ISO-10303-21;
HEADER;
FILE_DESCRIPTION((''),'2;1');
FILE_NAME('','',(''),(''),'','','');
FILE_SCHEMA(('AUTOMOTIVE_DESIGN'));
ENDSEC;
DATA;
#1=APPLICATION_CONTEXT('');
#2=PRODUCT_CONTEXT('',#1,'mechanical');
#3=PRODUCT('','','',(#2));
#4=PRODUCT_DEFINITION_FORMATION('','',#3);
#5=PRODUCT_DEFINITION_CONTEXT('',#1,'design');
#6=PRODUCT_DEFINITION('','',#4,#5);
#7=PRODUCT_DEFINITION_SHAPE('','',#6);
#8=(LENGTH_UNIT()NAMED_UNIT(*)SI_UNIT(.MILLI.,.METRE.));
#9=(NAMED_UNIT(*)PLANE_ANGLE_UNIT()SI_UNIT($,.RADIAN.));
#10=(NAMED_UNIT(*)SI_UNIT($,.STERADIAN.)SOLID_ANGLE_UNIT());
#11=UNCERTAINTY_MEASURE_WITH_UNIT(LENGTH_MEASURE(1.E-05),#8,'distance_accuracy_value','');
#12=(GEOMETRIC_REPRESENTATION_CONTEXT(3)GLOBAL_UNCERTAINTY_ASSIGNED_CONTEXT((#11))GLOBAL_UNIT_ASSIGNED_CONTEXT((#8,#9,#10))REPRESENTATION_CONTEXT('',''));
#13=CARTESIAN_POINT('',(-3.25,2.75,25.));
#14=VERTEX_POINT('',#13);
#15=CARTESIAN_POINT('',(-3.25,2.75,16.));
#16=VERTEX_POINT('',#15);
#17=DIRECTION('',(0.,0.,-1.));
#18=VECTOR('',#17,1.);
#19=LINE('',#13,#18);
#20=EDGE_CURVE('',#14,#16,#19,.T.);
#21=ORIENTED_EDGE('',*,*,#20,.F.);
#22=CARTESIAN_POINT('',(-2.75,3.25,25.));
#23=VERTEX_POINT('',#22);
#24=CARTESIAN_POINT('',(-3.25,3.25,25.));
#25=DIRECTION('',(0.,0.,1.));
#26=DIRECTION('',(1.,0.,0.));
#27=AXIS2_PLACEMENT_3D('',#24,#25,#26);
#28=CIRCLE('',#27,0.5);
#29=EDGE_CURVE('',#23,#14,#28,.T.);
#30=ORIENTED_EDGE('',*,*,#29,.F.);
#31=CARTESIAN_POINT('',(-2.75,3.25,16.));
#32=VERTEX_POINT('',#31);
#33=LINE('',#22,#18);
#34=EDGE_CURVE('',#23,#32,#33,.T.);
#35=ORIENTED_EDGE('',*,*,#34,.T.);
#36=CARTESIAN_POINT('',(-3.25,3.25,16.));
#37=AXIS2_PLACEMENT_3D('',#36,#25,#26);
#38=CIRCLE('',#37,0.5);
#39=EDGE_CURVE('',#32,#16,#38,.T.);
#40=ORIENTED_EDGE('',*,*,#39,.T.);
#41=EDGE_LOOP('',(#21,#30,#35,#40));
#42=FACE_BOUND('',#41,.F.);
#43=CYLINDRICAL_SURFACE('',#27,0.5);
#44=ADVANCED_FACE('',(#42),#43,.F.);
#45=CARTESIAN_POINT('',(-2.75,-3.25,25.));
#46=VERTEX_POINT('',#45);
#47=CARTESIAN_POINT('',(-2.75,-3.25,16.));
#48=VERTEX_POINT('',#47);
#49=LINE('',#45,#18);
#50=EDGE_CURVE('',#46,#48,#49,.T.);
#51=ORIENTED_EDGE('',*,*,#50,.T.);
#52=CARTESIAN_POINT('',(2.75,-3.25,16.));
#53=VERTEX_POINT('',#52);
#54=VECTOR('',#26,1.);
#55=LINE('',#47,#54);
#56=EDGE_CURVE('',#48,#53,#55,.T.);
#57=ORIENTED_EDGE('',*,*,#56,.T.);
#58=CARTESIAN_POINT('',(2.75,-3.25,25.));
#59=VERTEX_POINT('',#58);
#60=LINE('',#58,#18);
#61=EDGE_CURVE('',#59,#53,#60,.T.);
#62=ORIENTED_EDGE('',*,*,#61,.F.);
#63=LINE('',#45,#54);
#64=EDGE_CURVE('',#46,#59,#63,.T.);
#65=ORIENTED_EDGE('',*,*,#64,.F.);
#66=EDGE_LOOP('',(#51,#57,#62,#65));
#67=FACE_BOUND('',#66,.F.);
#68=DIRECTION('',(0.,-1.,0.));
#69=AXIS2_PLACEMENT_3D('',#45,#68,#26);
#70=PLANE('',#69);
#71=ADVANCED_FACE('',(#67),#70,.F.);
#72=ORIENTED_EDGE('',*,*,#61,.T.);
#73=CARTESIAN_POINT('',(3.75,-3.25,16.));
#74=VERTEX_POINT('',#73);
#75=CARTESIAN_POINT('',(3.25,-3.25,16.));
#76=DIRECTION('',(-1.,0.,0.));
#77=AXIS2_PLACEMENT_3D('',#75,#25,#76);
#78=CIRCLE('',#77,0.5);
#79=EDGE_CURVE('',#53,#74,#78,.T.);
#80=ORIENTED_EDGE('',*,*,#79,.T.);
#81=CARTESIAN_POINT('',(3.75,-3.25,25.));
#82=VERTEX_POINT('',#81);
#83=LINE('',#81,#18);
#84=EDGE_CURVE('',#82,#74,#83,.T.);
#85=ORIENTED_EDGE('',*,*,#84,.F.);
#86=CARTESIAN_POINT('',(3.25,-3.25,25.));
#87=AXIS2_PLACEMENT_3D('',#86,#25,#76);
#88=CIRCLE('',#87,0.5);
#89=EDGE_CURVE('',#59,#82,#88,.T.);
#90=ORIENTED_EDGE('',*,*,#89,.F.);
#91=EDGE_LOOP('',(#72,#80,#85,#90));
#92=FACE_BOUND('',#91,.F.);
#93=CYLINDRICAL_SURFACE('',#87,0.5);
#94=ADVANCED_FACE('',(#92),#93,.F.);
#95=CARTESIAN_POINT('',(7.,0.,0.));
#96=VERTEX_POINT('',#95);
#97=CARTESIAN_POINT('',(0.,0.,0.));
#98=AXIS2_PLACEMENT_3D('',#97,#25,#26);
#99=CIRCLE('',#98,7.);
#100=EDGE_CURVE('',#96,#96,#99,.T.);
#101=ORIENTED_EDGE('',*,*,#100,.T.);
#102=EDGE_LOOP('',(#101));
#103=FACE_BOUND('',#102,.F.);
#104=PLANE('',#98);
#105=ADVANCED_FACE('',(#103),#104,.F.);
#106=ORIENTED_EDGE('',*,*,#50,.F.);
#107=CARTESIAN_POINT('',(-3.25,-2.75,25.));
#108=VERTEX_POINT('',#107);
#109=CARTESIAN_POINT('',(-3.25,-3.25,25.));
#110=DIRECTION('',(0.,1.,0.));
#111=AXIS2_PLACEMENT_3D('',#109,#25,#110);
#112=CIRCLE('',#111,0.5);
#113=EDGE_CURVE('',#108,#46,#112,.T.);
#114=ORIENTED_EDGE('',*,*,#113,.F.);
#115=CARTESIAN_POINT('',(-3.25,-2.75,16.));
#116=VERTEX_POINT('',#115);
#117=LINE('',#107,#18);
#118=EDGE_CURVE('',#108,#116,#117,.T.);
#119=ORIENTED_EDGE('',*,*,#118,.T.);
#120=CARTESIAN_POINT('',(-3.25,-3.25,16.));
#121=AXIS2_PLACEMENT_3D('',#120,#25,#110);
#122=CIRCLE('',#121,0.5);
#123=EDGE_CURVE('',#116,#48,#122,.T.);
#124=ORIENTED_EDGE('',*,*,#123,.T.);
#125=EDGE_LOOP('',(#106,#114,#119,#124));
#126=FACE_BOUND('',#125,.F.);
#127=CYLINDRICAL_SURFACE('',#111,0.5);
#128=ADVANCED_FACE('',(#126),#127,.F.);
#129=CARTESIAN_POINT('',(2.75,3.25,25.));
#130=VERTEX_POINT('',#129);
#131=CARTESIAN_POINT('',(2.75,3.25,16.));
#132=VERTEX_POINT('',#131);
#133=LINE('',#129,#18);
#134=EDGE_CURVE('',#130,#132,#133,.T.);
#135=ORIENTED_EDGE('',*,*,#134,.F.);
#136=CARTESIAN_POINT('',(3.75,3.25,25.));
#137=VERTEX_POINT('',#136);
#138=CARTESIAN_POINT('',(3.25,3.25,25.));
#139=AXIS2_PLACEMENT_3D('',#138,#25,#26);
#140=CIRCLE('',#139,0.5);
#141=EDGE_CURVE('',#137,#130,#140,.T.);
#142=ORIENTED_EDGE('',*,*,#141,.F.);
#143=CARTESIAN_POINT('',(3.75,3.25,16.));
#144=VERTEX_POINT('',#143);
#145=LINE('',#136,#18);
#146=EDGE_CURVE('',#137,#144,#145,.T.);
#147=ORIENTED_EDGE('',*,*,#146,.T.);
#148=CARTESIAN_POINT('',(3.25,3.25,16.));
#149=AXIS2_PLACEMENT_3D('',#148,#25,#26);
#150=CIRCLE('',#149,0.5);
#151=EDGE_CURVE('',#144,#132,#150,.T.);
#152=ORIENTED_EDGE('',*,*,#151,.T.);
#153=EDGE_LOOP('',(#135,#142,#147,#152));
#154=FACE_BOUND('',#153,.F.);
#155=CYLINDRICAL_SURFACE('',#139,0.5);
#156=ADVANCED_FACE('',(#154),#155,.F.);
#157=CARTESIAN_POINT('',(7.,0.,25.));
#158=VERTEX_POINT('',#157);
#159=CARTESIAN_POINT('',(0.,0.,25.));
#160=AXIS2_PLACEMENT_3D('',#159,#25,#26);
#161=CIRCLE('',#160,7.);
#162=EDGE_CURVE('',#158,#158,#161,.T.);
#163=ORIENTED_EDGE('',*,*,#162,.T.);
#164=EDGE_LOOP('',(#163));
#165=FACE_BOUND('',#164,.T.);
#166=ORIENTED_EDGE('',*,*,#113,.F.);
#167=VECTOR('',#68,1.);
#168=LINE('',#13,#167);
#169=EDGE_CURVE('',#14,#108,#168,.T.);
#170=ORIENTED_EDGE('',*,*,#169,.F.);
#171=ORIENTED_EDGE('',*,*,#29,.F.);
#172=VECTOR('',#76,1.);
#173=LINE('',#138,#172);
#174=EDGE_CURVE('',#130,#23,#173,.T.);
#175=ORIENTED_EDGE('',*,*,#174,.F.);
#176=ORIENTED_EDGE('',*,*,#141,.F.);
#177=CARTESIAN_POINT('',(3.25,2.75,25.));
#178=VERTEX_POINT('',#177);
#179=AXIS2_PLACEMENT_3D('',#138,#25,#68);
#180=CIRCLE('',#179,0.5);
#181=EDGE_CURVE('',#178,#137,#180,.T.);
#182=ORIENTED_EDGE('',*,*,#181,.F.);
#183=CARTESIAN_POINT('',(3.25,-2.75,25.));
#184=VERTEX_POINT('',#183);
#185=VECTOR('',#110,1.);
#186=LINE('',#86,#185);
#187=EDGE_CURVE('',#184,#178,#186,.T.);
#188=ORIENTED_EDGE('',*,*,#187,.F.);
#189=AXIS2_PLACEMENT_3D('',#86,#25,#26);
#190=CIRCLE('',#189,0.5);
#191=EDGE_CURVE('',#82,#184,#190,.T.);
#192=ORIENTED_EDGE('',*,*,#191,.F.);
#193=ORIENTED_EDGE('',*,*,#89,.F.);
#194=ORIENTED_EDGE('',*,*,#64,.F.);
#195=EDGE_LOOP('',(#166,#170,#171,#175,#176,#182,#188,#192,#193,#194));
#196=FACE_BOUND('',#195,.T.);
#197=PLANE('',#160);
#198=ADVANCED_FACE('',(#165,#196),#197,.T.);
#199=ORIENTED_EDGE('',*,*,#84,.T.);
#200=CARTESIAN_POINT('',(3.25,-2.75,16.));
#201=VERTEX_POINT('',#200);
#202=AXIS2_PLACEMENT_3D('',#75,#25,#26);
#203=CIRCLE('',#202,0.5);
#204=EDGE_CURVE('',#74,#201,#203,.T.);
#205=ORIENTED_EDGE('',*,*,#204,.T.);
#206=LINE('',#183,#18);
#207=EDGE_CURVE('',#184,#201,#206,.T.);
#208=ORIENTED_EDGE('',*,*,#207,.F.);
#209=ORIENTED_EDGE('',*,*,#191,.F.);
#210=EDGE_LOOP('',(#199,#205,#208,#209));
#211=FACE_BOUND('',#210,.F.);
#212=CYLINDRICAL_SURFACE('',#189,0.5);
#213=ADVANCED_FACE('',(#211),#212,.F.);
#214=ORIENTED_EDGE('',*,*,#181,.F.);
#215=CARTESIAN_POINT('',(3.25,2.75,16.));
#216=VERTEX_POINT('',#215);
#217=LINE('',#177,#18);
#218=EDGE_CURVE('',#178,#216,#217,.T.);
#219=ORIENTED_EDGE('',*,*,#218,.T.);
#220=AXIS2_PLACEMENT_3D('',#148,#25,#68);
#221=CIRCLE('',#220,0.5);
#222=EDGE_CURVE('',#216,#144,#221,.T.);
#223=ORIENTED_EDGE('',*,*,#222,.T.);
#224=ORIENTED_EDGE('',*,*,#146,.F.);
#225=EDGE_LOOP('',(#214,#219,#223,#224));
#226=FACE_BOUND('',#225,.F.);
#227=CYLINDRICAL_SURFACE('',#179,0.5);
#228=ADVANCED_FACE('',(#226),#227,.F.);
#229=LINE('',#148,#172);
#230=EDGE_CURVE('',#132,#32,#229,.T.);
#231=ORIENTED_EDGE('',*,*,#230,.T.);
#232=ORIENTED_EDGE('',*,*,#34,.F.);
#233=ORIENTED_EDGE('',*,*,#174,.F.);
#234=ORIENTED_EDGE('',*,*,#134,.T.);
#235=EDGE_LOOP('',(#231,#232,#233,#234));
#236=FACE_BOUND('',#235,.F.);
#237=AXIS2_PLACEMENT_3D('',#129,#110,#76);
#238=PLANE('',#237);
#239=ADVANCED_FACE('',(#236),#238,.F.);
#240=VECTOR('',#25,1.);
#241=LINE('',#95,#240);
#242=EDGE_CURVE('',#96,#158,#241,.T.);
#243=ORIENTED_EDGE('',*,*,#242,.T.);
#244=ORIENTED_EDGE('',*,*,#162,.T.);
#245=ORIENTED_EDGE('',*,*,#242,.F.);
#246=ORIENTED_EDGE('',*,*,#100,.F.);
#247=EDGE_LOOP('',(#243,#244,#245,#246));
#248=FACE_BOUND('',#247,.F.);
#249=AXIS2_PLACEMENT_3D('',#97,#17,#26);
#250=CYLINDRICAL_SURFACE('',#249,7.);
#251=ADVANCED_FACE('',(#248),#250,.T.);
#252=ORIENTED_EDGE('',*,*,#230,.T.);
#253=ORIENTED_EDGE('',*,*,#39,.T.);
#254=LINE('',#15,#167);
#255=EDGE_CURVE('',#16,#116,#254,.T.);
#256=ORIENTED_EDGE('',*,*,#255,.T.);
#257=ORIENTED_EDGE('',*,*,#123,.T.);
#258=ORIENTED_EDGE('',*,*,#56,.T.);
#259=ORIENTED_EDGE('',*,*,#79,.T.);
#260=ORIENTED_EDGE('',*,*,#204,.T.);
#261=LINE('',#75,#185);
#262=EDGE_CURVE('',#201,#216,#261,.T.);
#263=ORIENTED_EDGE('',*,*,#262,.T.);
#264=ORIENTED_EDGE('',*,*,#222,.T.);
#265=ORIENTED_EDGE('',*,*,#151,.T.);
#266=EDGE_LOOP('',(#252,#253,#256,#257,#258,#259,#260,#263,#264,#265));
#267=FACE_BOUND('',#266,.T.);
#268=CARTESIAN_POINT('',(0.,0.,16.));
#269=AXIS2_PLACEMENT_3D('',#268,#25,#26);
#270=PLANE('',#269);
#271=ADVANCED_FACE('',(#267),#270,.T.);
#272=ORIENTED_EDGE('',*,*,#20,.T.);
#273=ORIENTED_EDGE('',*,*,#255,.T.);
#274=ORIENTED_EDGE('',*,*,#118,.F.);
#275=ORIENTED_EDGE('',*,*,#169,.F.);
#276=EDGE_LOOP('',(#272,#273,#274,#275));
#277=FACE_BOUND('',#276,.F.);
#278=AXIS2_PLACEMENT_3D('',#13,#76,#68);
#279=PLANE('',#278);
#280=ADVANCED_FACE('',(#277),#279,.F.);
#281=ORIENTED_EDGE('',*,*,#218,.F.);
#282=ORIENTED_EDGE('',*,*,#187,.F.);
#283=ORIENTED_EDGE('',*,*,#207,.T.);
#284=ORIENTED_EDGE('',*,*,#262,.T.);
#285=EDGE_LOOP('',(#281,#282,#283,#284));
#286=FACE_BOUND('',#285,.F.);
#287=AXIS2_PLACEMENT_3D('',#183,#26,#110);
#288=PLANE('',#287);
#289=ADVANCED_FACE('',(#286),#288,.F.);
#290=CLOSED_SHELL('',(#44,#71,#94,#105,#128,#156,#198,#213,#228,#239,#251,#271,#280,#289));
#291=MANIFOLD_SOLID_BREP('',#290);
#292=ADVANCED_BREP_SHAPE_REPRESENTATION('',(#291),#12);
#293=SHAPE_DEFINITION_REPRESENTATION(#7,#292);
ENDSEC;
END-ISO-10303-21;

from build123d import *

# Parameters (mm, degrees)
F0_R     = 7
F1_DEPTH = 25
F3_DEPTH = 9


with BuildPart() as f1:
    # F0 (on Top) → F1 (new body)
    with BuildSketch(Plane.XY):
        Circle(F0_R)
    extrude(amount=F1_DEPTH)

    # F2 (on face) → F3 (cut)
    with BuildSketch(Plane.XY.offset(25)):
        with BuildLine():
            Line((2.75, 3.25), (-2.75, 3.25))
            ThreePointArc((-2.75, 3.25), (-2.8964466094, 2.8964466094), (-3.25, 2.75))
            Line((-3.25, 2.75), (-3.25, -2.75))
            ThreePointArc((-3.25, -2.75), (-2.8964466094, -2.8964466094), (-2.75, -3.25))
            Line((-2.75, -3.25), (2.75, -3.25))
            ThreePointArc((2.75, -3.25), (2.8964466094, -2.8964466094), (3.25, -2.75))
            Line((3.25, -2.75), (3.25, 2.75))
            ThreePointArc((3.25, 2.75), (2.8964466094, 2.8964466094), (2.75, 3.25))
        make_face()
        with BuildLine():
            Line((-3.25, 3.25), (-2.75, 3.25))
            ThreePointArc((-2.75, 3.25), (-3.6035533906, 3.6035533906), (-3.25, 2.75))
            Line((-3.25, 2.75), (-3.25, 3.25))
        make_face()
        with BuildLine():
            Line((-3.25, -3.25), (-3.25, -2.75))
            ThreePointArc((-3.25, -2.75), (-3.6035533906, -3.6035533906), (-2.75, -3.25))
            Line((-2.75, -3.25), (-3.25, -3.25))
        make_face()
        with BuildLine():
            ThreePointArc((-2.75, -3.25), (-2.8964466094, -2.8964466094), (-3.25, -2.75))
            Line((-3.25, -2.75), (-3.25, -3.25))
            Line((-3.25, -3.25), (-2.75, -3.25))
        make_face()
        with BuildLine():
            ThreePointArc((-3.25, 2.75), (-2.8964466094, 2.8964466094), (-2.75, 3.25))
            Line((-2.75, 3.25), (-3.25, 3.25))
            Line((-3.25, 3.25), (-3.25, 2.75))
        make_face()
        with BuildLine():
            Line((3.25, 3.25), (2.75, 3.25))
            ThreePointArc((2.75, 3.25), (2.8964466094, 2.8964466094), (3.25, 2.75))
            Line((3.25, 2.75), (3.25, 3.25))
        make_face()
        with BuildLine():
            ThreePointArc((3.75, 3.25), (3.25, 3.75), (2.75, 3.25))
            Line((2.75, 3.25), (3.25, 3.25))
            Line((3.25, 3.25), (3.25, 2.75))
            ThreePointArc((3.25, 2.75), (3.6035533906, 2.8964466094), (3.75, 3.25))
        make_face()
        with BuildLine():
            Line((3.25, -3.25), (3.25, -2.75))
            ThreePointArc((3.25, -2.75), (2.8964466094, -2.8964466094), (2.75, -3.25))
            Line((2.75, -3.25), (3.25, -3.25))
        make_face()
        with BuildLine():
            ThreePointArc((3.75, -3.25), (3.6035533906, -2.8964466094), (3.25, -2.75))
            Line((3.25, -2.75), (3.25, -3.25))
            Line((3.25, -3.25), (2.75, -3.25))
            ThreePointArc((2.75, -3.25), (3.25, -3.75), (3.75, -3.25))
        make_face()
    extrude(amount=-F3_DEPTH, mode=Mode.SUBTRACT)


solid = f1.part
